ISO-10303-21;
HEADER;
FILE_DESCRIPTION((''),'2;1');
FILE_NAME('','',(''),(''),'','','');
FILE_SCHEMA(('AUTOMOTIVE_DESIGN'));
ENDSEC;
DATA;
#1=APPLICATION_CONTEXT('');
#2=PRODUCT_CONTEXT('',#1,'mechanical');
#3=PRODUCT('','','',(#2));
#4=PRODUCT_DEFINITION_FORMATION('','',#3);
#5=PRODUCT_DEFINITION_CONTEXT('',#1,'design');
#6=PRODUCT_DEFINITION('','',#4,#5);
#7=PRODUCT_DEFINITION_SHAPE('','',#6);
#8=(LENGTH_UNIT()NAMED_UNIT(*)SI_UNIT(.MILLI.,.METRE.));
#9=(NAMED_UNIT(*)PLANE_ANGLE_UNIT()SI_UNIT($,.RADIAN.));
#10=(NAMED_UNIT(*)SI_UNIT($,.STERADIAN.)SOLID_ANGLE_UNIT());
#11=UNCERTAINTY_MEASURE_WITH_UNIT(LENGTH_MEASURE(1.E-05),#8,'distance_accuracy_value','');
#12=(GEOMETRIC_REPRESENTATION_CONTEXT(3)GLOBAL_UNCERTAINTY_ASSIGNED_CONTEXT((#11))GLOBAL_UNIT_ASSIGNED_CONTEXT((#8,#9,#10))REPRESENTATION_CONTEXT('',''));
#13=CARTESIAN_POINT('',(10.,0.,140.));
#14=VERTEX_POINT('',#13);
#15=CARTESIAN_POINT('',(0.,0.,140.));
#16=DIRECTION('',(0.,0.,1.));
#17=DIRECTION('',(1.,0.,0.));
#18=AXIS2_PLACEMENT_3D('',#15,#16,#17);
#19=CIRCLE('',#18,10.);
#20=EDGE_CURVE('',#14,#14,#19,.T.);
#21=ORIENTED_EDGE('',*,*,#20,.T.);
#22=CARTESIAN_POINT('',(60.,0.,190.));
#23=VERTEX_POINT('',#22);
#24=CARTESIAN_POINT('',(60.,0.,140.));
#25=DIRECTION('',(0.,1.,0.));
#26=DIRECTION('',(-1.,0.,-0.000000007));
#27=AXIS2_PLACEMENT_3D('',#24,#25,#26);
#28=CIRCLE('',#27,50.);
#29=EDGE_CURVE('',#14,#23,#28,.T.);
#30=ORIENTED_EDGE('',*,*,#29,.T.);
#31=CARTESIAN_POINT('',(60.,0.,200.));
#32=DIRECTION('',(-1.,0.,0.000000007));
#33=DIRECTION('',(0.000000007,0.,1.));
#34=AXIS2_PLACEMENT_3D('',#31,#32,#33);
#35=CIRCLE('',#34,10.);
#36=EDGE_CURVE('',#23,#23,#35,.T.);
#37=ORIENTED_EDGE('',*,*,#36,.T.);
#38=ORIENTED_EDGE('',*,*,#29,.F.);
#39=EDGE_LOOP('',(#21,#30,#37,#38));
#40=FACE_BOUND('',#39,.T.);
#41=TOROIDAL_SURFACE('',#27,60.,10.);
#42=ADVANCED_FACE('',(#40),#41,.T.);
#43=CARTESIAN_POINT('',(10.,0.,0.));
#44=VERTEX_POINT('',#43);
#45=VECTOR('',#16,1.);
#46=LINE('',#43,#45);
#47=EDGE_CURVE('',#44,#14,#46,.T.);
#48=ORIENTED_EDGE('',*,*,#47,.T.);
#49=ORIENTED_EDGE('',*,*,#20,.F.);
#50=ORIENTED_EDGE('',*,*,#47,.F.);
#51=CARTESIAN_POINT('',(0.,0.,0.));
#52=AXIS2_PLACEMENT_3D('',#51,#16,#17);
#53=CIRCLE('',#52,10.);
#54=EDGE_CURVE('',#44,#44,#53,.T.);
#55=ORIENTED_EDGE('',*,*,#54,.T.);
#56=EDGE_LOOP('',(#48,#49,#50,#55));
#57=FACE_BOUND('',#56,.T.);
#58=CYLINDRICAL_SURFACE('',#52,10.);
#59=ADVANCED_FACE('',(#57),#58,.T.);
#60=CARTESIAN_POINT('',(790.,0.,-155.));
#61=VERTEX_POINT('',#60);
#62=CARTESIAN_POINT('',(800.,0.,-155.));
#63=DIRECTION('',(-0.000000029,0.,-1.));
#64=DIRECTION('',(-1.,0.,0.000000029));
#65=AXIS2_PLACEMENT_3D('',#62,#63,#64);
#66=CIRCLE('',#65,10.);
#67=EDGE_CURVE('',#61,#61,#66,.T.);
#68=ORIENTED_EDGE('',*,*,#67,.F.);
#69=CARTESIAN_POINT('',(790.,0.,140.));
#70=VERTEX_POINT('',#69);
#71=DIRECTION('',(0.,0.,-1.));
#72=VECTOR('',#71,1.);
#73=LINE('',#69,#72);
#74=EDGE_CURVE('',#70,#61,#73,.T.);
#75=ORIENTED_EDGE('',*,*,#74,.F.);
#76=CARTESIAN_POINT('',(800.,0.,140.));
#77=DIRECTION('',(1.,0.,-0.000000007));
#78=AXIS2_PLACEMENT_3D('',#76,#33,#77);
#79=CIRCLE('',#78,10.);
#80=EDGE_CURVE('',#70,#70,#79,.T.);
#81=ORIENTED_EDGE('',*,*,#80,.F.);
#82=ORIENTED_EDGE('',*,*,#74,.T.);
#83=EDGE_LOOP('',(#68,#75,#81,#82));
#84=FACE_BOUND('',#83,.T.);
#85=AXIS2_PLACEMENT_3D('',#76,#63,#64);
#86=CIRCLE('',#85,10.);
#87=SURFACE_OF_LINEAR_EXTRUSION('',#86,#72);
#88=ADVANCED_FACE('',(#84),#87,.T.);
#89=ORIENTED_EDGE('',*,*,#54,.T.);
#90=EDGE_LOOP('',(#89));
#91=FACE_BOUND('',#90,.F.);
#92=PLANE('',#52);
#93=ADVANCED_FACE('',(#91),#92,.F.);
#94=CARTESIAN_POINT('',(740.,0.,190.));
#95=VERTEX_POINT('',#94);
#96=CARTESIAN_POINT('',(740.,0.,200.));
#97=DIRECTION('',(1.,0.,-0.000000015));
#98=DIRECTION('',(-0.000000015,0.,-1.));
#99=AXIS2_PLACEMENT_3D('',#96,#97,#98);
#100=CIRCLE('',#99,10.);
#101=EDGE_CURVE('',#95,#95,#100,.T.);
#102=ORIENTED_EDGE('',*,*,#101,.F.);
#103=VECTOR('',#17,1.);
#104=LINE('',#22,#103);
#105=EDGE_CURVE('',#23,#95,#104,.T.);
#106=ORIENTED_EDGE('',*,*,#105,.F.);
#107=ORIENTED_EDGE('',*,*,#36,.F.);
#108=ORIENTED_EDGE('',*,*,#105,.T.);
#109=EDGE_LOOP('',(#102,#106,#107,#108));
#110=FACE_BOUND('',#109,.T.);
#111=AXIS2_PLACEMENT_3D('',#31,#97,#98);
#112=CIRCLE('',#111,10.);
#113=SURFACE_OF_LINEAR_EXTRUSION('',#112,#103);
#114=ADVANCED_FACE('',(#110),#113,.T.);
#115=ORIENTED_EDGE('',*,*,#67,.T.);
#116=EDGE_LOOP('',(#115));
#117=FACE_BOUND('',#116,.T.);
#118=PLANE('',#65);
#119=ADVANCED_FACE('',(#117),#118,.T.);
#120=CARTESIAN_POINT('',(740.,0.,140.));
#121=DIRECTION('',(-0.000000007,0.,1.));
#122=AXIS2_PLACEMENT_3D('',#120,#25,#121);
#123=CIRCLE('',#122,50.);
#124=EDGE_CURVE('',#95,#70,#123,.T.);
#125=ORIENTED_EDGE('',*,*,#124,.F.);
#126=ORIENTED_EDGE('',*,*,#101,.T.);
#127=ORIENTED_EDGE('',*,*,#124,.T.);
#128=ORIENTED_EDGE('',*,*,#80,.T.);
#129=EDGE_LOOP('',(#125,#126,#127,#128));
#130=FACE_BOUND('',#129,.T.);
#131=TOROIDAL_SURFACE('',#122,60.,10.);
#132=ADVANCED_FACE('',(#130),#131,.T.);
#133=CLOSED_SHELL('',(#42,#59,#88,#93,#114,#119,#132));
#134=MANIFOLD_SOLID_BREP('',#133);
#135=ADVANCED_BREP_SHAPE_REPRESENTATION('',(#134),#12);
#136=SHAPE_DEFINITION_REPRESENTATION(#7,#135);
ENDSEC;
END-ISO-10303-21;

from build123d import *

# Parameters (mm, degrees)
F1_R = 10


with BuildPart() as f2:
    # F2: sweep along a path in F0
    with BuildLine(Plane.XZ) as f2_path:
        Line((0, 0), (0, 140))
        ThreePointArc((0, 140), (17.573593, 182.426407), (60, 200))
        Line((60, 200), (740, 200))
        ThreePointArc((740, 200), (782.426407, 182.426407), (800, 140))
        Line((800, 140), (800, -155))
    # F1 (on Top) → F2 (sweep)
    with BuildSketch(Plane.XY):
        Circle(F1_R)
    sweep(path=f2_path.line)


solid = f2.part
